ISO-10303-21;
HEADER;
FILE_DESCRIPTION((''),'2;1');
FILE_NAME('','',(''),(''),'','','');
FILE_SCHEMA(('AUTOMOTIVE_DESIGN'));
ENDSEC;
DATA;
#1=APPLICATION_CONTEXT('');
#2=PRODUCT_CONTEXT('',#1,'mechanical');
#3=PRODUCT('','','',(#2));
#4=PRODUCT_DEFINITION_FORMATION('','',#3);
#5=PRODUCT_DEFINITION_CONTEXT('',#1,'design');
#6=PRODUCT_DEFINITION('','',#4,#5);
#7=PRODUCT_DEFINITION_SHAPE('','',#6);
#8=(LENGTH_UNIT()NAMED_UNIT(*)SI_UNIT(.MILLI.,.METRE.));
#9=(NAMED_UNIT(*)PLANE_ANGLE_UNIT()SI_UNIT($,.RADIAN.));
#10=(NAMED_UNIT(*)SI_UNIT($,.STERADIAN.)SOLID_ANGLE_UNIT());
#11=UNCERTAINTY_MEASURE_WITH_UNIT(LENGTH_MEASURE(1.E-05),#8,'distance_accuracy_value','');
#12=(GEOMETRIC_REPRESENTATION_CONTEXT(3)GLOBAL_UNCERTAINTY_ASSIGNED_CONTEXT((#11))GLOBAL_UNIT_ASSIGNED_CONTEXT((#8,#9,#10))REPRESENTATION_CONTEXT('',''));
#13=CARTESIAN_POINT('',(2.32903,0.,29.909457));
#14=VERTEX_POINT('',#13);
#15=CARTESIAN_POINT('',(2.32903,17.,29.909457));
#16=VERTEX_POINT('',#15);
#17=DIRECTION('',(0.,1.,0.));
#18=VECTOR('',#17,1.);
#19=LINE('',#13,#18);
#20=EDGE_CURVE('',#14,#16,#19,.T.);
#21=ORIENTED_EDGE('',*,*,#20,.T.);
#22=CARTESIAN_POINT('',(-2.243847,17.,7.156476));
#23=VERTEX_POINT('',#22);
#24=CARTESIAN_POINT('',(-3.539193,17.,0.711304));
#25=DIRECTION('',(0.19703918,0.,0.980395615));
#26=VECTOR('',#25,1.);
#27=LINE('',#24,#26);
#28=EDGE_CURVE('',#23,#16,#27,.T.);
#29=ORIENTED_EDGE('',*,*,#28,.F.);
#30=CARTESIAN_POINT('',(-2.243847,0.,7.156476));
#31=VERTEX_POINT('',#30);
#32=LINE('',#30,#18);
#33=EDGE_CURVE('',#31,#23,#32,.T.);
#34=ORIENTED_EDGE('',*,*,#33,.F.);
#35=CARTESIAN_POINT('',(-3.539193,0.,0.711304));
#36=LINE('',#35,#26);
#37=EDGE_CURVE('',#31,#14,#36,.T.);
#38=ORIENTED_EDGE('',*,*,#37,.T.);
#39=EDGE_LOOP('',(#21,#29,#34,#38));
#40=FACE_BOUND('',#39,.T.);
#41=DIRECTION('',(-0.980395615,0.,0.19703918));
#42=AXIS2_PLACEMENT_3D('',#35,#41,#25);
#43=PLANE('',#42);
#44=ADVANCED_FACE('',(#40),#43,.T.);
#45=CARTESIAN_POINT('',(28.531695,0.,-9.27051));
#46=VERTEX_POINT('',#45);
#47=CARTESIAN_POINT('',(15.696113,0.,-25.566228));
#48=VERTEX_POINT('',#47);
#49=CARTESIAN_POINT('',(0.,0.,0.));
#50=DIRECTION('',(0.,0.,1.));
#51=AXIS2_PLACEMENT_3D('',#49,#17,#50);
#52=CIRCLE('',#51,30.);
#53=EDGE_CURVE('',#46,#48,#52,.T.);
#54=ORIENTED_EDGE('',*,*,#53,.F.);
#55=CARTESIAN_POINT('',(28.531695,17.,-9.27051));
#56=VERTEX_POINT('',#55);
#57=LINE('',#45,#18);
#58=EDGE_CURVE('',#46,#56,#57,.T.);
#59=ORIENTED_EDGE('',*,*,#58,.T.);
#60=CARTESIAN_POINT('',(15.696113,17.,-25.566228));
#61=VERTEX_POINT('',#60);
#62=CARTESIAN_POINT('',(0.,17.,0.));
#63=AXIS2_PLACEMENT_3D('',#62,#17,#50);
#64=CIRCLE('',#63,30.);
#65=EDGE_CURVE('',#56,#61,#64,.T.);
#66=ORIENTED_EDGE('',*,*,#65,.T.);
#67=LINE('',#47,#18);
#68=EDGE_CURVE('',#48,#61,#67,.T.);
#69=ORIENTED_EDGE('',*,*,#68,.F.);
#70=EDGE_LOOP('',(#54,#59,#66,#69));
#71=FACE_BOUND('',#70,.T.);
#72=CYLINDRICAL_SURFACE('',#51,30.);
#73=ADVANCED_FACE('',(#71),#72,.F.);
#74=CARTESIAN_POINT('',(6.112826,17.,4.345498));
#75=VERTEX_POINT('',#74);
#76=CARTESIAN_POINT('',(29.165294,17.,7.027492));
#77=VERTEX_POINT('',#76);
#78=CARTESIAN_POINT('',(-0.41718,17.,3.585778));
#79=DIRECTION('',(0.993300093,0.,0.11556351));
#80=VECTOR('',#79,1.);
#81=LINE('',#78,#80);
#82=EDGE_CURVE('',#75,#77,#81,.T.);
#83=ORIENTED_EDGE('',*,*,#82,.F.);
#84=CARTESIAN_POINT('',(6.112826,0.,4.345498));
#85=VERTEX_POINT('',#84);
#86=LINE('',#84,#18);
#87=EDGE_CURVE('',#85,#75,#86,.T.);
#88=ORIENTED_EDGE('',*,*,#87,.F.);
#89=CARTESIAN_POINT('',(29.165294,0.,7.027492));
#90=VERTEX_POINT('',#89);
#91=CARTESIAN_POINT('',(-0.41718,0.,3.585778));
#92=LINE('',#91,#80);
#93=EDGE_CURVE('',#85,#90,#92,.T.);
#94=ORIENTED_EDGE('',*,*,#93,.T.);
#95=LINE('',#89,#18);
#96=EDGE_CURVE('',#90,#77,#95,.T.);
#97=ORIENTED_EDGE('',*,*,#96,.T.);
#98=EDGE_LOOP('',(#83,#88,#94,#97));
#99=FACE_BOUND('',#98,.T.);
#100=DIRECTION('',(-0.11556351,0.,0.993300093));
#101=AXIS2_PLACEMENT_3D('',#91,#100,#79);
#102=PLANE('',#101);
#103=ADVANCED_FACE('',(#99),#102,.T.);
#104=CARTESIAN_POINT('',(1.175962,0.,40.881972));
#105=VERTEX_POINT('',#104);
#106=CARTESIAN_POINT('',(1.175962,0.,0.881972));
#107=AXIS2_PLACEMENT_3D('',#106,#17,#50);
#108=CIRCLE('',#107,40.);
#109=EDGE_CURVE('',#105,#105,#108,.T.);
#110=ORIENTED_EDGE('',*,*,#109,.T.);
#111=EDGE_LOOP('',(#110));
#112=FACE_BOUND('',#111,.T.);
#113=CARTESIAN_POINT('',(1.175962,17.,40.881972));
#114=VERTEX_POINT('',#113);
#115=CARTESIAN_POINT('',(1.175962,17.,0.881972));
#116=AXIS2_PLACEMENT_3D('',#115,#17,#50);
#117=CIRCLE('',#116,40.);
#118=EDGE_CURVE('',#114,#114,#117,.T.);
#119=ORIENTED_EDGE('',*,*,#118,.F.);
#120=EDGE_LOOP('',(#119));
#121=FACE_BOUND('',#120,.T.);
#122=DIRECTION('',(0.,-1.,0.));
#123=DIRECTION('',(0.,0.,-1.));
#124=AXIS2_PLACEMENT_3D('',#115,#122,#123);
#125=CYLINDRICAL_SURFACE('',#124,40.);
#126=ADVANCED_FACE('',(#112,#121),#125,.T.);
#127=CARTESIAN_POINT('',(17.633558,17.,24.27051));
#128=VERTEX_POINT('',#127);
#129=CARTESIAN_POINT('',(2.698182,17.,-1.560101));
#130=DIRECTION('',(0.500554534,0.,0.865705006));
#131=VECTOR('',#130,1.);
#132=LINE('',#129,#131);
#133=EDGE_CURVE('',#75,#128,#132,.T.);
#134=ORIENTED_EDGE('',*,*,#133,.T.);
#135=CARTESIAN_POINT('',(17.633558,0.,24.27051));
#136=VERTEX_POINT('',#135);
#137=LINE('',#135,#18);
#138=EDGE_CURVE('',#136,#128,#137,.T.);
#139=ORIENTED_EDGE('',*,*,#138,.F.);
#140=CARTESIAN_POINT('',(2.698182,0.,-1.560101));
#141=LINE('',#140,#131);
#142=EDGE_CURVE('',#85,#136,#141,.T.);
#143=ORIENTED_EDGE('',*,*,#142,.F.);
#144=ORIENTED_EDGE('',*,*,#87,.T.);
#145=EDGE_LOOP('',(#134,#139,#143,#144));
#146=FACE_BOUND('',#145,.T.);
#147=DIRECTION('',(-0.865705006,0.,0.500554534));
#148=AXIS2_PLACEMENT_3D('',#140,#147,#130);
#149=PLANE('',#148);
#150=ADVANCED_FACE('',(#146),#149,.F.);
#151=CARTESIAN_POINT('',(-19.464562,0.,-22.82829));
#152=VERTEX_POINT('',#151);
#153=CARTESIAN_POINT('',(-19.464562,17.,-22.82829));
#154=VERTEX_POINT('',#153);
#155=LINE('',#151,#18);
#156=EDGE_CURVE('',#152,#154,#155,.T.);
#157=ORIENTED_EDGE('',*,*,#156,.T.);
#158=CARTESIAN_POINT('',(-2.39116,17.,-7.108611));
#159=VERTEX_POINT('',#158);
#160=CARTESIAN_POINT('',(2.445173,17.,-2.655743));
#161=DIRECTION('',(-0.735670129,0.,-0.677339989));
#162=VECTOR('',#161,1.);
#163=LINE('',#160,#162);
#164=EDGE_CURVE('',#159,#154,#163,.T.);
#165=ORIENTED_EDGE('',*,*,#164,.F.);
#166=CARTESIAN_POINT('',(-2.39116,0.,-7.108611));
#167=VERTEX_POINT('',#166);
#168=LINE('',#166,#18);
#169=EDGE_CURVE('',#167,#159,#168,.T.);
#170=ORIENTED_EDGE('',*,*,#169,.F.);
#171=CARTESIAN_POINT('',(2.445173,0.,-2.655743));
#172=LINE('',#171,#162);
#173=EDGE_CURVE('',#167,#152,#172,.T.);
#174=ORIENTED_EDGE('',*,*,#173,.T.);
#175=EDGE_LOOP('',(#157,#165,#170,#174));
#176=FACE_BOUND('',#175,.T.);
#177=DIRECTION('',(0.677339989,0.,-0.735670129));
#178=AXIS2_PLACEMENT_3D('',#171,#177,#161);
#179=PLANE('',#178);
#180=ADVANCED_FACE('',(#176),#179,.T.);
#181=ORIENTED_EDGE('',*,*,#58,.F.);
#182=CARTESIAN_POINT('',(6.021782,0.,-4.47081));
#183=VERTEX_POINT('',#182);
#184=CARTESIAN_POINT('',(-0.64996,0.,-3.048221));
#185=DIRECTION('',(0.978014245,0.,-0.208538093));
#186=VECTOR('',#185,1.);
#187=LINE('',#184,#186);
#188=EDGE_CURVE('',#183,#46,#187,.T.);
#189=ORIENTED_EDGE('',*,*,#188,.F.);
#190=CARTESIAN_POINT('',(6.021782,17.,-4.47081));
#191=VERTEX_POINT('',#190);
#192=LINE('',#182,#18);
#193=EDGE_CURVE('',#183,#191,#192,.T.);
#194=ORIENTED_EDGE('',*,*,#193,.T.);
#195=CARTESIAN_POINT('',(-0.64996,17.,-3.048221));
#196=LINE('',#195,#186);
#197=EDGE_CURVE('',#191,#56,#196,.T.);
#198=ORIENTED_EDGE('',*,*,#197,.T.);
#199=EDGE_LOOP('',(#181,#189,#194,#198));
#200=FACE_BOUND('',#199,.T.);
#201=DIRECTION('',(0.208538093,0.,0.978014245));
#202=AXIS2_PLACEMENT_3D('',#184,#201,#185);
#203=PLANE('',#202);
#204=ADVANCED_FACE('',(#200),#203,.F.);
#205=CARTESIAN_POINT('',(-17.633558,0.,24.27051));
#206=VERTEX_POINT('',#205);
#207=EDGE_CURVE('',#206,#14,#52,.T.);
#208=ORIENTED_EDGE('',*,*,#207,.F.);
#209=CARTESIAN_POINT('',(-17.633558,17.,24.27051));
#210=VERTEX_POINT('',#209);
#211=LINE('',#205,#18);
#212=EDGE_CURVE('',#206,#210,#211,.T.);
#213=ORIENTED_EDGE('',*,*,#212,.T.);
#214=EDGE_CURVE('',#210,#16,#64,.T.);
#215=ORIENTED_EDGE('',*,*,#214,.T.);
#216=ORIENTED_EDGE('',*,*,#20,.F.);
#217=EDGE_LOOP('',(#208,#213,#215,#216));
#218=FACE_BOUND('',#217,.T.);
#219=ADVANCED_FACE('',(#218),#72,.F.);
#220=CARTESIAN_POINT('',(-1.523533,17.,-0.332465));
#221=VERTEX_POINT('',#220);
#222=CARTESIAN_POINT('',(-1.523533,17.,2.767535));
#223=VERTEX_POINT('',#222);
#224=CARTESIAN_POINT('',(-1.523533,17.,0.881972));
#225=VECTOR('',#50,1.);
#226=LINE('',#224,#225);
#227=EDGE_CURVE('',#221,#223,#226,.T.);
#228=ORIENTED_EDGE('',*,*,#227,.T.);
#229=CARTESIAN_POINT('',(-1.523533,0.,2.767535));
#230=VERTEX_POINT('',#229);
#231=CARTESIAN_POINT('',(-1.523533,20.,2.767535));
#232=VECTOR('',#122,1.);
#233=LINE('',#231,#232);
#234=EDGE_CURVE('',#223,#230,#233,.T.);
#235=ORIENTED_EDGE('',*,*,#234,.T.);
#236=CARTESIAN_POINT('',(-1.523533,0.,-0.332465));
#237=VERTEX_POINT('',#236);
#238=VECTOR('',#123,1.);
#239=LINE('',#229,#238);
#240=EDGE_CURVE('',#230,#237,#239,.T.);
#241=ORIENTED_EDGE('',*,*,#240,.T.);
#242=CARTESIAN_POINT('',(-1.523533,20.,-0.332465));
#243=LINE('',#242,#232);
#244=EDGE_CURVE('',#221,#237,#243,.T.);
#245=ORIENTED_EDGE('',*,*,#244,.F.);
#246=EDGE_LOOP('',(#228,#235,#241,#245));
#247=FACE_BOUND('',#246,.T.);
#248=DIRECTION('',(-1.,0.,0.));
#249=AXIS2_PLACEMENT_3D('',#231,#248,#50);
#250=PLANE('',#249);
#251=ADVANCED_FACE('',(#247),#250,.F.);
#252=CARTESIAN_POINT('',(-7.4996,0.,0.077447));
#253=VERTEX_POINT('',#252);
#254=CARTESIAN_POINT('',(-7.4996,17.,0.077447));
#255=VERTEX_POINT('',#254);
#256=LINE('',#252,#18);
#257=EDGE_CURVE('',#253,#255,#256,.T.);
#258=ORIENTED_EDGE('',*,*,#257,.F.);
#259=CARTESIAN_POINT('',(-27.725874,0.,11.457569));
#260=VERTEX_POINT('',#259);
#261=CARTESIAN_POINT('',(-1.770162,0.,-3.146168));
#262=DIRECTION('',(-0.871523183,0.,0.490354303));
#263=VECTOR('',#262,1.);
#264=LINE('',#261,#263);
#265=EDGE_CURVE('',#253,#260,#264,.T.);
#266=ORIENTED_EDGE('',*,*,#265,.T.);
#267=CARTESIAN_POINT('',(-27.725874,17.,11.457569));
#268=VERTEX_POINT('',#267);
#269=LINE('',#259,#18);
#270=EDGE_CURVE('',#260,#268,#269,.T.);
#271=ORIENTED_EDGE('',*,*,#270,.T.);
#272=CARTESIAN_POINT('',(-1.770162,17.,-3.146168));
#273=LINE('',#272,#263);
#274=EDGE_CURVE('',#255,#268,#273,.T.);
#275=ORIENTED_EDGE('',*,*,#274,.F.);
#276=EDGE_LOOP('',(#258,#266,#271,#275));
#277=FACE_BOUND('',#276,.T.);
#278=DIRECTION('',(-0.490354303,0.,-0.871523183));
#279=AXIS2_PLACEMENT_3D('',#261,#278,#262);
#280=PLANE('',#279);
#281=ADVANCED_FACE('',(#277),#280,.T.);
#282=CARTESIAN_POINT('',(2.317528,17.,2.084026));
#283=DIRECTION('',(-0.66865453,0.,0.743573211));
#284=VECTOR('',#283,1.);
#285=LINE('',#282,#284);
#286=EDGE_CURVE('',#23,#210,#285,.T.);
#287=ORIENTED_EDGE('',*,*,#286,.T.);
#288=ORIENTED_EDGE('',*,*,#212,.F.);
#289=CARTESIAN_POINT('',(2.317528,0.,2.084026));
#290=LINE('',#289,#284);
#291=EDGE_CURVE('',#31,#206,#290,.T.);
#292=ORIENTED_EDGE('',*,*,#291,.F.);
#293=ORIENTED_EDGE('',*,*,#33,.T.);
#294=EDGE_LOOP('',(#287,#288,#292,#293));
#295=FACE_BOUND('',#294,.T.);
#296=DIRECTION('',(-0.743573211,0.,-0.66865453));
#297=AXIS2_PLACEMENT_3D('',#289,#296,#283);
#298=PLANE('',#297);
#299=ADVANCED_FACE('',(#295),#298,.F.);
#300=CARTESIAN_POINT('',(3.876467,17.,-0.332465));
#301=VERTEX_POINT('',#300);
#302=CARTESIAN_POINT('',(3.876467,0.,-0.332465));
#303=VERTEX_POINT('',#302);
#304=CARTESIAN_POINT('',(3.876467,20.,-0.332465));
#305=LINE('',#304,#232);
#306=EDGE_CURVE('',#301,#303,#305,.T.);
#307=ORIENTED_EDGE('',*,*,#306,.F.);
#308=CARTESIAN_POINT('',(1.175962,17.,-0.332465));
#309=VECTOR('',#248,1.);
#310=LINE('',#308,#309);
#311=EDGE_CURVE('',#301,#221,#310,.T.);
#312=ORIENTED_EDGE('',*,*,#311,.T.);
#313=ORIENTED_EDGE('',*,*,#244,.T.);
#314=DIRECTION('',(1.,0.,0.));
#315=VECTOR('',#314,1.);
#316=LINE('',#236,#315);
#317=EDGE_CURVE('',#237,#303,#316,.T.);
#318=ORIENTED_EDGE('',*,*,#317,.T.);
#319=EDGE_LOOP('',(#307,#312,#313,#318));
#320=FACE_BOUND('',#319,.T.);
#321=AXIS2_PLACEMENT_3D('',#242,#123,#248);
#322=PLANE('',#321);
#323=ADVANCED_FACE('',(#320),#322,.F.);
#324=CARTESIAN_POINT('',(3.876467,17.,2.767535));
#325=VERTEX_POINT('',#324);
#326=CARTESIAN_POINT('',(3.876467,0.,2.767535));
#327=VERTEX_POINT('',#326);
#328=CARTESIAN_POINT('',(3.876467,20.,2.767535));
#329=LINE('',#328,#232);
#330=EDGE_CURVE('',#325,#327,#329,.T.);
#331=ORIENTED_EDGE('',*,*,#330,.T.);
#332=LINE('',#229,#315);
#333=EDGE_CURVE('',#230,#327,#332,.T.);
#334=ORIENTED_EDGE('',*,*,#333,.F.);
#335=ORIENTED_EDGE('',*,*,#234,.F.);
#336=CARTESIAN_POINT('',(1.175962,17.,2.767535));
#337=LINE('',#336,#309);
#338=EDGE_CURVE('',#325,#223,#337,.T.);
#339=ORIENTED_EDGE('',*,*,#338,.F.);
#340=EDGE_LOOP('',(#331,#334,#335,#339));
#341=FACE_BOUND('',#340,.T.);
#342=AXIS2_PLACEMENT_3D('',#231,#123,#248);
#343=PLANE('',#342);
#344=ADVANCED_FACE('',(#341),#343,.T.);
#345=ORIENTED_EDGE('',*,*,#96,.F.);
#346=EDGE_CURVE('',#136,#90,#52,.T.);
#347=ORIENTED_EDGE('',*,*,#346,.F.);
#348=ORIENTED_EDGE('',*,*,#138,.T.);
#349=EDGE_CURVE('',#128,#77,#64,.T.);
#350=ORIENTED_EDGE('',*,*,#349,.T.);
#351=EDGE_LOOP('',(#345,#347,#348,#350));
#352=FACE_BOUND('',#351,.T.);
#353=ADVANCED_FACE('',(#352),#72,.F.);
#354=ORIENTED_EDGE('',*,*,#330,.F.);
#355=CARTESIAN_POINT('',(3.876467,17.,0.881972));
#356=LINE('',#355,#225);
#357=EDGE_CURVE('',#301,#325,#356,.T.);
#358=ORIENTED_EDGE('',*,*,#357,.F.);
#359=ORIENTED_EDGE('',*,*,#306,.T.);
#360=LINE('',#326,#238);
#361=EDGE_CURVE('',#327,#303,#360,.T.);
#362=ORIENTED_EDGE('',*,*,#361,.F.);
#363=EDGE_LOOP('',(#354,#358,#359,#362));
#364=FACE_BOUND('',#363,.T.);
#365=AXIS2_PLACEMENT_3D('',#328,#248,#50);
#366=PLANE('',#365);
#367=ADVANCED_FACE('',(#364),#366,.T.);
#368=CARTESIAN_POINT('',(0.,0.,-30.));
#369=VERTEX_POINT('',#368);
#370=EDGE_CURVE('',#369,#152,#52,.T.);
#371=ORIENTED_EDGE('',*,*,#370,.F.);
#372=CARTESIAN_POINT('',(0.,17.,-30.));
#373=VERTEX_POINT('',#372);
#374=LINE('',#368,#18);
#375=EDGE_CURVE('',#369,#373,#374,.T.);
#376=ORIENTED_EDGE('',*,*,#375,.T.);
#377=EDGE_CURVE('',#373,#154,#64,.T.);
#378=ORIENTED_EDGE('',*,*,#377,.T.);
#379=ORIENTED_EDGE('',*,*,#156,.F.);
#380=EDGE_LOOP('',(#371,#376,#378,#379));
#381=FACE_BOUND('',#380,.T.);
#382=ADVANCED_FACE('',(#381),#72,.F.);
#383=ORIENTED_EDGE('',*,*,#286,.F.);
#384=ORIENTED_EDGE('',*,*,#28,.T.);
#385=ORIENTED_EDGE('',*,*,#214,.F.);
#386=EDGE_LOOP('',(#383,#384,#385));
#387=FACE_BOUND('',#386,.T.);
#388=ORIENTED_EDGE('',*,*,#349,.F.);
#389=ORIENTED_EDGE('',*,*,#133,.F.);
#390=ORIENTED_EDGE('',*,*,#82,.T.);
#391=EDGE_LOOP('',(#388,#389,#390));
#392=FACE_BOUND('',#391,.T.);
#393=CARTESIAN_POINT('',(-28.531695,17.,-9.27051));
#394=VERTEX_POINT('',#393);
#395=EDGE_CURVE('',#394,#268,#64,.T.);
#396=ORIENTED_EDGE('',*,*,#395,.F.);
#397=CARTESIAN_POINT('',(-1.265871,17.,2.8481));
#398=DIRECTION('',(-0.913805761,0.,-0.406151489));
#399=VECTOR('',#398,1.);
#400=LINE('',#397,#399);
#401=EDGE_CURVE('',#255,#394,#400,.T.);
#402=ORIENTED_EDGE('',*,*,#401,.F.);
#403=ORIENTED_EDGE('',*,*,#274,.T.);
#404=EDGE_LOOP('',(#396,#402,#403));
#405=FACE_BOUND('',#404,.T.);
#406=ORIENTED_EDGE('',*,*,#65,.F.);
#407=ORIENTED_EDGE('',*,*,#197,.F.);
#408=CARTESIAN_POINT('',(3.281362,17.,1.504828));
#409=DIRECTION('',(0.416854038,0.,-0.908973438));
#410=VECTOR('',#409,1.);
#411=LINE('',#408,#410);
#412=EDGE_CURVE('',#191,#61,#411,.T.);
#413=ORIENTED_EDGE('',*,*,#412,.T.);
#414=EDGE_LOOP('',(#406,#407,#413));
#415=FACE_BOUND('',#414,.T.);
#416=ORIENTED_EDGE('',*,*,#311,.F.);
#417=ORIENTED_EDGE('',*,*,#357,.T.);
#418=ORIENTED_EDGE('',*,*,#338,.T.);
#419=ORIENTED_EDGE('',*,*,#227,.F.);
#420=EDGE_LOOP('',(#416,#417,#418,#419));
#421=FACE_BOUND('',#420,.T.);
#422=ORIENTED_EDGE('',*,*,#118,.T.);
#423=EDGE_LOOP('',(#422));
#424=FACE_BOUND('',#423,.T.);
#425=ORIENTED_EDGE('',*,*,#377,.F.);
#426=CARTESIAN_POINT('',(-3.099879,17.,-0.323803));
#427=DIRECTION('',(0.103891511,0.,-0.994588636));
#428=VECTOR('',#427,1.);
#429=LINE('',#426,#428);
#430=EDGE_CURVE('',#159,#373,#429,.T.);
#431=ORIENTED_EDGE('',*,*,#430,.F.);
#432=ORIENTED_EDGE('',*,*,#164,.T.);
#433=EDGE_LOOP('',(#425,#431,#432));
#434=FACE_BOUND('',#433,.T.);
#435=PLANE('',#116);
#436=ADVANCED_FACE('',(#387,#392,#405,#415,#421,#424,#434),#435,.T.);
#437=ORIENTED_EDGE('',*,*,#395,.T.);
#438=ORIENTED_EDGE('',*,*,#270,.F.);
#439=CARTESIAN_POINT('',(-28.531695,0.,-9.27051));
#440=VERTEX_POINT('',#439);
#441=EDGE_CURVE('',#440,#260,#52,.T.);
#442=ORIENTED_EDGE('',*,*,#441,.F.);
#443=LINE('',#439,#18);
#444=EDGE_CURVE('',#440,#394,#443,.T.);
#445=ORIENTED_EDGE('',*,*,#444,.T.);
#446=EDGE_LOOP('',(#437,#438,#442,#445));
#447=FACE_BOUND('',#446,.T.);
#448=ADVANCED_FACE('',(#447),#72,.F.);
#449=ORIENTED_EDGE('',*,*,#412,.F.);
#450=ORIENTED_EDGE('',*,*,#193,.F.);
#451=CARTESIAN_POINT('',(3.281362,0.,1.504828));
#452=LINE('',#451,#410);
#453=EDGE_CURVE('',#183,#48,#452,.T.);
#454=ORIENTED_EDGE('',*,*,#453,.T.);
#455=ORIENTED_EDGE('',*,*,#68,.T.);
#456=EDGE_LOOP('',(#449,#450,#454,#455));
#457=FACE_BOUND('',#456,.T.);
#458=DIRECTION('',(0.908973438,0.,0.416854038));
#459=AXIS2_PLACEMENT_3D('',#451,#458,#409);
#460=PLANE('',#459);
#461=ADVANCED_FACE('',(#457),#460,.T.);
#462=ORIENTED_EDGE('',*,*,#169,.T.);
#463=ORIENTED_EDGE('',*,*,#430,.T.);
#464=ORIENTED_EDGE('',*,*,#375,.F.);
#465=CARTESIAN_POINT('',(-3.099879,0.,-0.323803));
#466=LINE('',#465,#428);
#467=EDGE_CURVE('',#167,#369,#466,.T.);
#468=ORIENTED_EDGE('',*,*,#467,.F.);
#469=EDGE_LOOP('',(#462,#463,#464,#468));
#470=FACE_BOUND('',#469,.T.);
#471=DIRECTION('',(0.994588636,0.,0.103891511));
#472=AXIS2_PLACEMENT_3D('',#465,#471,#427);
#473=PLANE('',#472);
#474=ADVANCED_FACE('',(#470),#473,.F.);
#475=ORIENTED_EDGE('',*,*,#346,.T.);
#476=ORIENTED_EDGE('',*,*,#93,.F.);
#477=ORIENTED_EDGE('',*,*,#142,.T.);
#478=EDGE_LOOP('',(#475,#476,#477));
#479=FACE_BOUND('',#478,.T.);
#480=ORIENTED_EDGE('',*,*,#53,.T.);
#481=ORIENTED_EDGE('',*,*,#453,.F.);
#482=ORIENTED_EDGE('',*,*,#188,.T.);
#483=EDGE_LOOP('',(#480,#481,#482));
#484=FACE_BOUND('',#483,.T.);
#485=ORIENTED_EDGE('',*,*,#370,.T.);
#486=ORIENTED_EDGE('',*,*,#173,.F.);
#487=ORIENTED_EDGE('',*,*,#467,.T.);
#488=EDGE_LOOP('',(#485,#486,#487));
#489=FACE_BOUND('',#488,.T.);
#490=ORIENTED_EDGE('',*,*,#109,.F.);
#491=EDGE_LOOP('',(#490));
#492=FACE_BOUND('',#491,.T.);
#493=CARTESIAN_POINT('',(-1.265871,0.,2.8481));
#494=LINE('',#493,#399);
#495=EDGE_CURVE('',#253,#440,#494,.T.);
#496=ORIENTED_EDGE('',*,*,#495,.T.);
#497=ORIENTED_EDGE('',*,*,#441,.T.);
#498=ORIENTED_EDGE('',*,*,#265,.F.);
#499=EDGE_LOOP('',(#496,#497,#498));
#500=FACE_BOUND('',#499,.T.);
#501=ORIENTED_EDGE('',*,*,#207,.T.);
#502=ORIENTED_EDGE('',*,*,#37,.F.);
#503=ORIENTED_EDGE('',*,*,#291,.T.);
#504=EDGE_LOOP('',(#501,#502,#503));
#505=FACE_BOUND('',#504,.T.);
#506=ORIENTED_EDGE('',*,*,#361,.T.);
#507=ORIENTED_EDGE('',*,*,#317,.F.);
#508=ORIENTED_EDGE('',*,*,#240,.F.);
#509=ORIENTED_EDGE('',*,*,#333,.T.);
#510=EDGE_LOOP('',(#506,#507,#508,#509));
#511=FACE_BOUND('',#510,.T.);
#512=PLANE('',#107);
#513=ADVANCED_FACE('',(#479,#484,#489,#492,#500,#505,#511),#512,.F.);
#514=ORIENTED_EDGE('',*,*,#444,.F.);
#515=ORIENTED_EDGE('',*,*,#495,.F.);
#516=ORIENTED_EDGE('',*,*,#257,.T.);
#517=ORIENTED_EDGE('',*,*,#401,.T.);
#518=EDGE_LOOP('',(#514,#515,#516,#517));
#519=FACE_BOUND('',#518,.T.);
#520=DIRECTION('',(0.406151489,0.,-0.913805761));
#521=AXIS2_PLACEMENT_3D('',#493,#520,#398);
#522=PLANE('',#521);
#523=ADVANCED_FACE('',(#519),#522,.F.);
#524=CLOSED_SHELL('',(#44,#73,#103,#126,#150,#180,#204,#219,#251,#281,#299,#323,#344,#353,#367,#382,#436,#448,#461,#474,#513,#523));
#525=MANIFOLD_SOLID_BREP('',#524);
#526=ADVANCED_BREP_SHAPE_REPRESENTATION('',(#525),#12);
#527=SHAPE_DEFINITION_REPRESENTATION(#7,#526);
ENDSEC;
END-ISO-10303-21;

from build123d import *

# Parameters (mm, degrees)
ESQUISSE1_R             = 40
BOSS_EXTRU_1_DEPTH      = 17
ENL_V_MAT_EXTRU_1_DEPTH = 17
ESQUISSE7_W             = 5.4
ESQUISSE7_H             = 3.1
ENL_V_MAT_EXTRU_3_DEPTH = 20


with BuildPart() as part:
    # Esquisse1 → Boss.-Extru.1 (new body)
    with BuildSketch(Plane(origin=(0, 0, 0), x_dir=(1, 0, 0), z_dir=(0, 1, 0))):
        with Locations(Location((1.175962064, -0.881971548, 0), (0, 0, 270))):
            Circle(ESQUISSE1_R)
    extrude(amount=BOSS_EXTRU_1_DEPTH)

    # Esquisse4 → Enlèv. mat.-Extru.1 (cut)
    with BuildSketch(Plane(origin=(0, 17, 0), x_dir=(1, 0, 0), z_dir=(0, 1, 0))):
        with BuildLine():
            Line((-19.464562445, 22.82828966), (-2.391160411, 7.108611108))
            Line((-2.391160411, 7.108611108), (0, 30))
            ThreePointArc((0, 30), (-10.371868448, 28.150032769), (-19.464562445, 22.82828966))
        make_face()
        with BuildLine():
            ThreePointArc((28.531695489, 9.270509831), (23.567188485, 18.563071591), (15.696113054, 25.566228408))
            Line((15.696113054, 25.566228408), (6.021781713, 4.470810329))
            Line((6.021781713, 4.470810329), (28.531695489, 9.270509831))
        make_face()
        with BuildLine():
            ThreePointArc((17.633557569, -24.270509831), (24.937191951, -16.67742359), (29.165293804, -7.02749154))
            Line((29.165293804, -7.02749154), (6.112826182, -4.345498368))
            Line((6.112826182, -4.345498368), (17.633557569, -24.270509831))
        make_face()
        with BuildLine():
            Line((-2.243847365, -7.156476018), (-17.633557569, -24.270509831))
            ThreePointArc((-17.633557569, -24.270509831), (-8.155156276, -28.870286215), (2.329029809, -29.909457035))
            Line((2.329029809, -29.909457035), (-2.243847365, -7.156476018))
        make_face()
        with BuildLine():
            Line((-7.49960012, -0.077447051), (-28.531695489, 9.270509831))
            ThreePointArc((-28.531695489, 9.270509831), (-29.977355713, -1.165394555), (-27.725874221, -11.457569493))
            Line((-27.725874221, -11.457569493), (-7.49960012, -0.077447051))
        make_face()
    extrude(amount=-ENL_V_MAT_EXTRU_1_DEPTH, mode=Mode.SUBTRACT)

    # Esquisse7 → Enlèv. mat.-Extru.3 (cut)
    with BuildSketch(Plane(origin=(0, 0, 0), x_dir=(-1, 0, 0), z_dir=(0, -1, 0))):
        with Locations((-1.176467364, -1.217534794)):
            Rectangle(ESQUISSE7_W, ESQUISSE7_H)
    extrude(amount=-ENL_V_MAT_EXTRU_3_DEPTH, mode=Mode.SUBTRACT)


solid = part.part
